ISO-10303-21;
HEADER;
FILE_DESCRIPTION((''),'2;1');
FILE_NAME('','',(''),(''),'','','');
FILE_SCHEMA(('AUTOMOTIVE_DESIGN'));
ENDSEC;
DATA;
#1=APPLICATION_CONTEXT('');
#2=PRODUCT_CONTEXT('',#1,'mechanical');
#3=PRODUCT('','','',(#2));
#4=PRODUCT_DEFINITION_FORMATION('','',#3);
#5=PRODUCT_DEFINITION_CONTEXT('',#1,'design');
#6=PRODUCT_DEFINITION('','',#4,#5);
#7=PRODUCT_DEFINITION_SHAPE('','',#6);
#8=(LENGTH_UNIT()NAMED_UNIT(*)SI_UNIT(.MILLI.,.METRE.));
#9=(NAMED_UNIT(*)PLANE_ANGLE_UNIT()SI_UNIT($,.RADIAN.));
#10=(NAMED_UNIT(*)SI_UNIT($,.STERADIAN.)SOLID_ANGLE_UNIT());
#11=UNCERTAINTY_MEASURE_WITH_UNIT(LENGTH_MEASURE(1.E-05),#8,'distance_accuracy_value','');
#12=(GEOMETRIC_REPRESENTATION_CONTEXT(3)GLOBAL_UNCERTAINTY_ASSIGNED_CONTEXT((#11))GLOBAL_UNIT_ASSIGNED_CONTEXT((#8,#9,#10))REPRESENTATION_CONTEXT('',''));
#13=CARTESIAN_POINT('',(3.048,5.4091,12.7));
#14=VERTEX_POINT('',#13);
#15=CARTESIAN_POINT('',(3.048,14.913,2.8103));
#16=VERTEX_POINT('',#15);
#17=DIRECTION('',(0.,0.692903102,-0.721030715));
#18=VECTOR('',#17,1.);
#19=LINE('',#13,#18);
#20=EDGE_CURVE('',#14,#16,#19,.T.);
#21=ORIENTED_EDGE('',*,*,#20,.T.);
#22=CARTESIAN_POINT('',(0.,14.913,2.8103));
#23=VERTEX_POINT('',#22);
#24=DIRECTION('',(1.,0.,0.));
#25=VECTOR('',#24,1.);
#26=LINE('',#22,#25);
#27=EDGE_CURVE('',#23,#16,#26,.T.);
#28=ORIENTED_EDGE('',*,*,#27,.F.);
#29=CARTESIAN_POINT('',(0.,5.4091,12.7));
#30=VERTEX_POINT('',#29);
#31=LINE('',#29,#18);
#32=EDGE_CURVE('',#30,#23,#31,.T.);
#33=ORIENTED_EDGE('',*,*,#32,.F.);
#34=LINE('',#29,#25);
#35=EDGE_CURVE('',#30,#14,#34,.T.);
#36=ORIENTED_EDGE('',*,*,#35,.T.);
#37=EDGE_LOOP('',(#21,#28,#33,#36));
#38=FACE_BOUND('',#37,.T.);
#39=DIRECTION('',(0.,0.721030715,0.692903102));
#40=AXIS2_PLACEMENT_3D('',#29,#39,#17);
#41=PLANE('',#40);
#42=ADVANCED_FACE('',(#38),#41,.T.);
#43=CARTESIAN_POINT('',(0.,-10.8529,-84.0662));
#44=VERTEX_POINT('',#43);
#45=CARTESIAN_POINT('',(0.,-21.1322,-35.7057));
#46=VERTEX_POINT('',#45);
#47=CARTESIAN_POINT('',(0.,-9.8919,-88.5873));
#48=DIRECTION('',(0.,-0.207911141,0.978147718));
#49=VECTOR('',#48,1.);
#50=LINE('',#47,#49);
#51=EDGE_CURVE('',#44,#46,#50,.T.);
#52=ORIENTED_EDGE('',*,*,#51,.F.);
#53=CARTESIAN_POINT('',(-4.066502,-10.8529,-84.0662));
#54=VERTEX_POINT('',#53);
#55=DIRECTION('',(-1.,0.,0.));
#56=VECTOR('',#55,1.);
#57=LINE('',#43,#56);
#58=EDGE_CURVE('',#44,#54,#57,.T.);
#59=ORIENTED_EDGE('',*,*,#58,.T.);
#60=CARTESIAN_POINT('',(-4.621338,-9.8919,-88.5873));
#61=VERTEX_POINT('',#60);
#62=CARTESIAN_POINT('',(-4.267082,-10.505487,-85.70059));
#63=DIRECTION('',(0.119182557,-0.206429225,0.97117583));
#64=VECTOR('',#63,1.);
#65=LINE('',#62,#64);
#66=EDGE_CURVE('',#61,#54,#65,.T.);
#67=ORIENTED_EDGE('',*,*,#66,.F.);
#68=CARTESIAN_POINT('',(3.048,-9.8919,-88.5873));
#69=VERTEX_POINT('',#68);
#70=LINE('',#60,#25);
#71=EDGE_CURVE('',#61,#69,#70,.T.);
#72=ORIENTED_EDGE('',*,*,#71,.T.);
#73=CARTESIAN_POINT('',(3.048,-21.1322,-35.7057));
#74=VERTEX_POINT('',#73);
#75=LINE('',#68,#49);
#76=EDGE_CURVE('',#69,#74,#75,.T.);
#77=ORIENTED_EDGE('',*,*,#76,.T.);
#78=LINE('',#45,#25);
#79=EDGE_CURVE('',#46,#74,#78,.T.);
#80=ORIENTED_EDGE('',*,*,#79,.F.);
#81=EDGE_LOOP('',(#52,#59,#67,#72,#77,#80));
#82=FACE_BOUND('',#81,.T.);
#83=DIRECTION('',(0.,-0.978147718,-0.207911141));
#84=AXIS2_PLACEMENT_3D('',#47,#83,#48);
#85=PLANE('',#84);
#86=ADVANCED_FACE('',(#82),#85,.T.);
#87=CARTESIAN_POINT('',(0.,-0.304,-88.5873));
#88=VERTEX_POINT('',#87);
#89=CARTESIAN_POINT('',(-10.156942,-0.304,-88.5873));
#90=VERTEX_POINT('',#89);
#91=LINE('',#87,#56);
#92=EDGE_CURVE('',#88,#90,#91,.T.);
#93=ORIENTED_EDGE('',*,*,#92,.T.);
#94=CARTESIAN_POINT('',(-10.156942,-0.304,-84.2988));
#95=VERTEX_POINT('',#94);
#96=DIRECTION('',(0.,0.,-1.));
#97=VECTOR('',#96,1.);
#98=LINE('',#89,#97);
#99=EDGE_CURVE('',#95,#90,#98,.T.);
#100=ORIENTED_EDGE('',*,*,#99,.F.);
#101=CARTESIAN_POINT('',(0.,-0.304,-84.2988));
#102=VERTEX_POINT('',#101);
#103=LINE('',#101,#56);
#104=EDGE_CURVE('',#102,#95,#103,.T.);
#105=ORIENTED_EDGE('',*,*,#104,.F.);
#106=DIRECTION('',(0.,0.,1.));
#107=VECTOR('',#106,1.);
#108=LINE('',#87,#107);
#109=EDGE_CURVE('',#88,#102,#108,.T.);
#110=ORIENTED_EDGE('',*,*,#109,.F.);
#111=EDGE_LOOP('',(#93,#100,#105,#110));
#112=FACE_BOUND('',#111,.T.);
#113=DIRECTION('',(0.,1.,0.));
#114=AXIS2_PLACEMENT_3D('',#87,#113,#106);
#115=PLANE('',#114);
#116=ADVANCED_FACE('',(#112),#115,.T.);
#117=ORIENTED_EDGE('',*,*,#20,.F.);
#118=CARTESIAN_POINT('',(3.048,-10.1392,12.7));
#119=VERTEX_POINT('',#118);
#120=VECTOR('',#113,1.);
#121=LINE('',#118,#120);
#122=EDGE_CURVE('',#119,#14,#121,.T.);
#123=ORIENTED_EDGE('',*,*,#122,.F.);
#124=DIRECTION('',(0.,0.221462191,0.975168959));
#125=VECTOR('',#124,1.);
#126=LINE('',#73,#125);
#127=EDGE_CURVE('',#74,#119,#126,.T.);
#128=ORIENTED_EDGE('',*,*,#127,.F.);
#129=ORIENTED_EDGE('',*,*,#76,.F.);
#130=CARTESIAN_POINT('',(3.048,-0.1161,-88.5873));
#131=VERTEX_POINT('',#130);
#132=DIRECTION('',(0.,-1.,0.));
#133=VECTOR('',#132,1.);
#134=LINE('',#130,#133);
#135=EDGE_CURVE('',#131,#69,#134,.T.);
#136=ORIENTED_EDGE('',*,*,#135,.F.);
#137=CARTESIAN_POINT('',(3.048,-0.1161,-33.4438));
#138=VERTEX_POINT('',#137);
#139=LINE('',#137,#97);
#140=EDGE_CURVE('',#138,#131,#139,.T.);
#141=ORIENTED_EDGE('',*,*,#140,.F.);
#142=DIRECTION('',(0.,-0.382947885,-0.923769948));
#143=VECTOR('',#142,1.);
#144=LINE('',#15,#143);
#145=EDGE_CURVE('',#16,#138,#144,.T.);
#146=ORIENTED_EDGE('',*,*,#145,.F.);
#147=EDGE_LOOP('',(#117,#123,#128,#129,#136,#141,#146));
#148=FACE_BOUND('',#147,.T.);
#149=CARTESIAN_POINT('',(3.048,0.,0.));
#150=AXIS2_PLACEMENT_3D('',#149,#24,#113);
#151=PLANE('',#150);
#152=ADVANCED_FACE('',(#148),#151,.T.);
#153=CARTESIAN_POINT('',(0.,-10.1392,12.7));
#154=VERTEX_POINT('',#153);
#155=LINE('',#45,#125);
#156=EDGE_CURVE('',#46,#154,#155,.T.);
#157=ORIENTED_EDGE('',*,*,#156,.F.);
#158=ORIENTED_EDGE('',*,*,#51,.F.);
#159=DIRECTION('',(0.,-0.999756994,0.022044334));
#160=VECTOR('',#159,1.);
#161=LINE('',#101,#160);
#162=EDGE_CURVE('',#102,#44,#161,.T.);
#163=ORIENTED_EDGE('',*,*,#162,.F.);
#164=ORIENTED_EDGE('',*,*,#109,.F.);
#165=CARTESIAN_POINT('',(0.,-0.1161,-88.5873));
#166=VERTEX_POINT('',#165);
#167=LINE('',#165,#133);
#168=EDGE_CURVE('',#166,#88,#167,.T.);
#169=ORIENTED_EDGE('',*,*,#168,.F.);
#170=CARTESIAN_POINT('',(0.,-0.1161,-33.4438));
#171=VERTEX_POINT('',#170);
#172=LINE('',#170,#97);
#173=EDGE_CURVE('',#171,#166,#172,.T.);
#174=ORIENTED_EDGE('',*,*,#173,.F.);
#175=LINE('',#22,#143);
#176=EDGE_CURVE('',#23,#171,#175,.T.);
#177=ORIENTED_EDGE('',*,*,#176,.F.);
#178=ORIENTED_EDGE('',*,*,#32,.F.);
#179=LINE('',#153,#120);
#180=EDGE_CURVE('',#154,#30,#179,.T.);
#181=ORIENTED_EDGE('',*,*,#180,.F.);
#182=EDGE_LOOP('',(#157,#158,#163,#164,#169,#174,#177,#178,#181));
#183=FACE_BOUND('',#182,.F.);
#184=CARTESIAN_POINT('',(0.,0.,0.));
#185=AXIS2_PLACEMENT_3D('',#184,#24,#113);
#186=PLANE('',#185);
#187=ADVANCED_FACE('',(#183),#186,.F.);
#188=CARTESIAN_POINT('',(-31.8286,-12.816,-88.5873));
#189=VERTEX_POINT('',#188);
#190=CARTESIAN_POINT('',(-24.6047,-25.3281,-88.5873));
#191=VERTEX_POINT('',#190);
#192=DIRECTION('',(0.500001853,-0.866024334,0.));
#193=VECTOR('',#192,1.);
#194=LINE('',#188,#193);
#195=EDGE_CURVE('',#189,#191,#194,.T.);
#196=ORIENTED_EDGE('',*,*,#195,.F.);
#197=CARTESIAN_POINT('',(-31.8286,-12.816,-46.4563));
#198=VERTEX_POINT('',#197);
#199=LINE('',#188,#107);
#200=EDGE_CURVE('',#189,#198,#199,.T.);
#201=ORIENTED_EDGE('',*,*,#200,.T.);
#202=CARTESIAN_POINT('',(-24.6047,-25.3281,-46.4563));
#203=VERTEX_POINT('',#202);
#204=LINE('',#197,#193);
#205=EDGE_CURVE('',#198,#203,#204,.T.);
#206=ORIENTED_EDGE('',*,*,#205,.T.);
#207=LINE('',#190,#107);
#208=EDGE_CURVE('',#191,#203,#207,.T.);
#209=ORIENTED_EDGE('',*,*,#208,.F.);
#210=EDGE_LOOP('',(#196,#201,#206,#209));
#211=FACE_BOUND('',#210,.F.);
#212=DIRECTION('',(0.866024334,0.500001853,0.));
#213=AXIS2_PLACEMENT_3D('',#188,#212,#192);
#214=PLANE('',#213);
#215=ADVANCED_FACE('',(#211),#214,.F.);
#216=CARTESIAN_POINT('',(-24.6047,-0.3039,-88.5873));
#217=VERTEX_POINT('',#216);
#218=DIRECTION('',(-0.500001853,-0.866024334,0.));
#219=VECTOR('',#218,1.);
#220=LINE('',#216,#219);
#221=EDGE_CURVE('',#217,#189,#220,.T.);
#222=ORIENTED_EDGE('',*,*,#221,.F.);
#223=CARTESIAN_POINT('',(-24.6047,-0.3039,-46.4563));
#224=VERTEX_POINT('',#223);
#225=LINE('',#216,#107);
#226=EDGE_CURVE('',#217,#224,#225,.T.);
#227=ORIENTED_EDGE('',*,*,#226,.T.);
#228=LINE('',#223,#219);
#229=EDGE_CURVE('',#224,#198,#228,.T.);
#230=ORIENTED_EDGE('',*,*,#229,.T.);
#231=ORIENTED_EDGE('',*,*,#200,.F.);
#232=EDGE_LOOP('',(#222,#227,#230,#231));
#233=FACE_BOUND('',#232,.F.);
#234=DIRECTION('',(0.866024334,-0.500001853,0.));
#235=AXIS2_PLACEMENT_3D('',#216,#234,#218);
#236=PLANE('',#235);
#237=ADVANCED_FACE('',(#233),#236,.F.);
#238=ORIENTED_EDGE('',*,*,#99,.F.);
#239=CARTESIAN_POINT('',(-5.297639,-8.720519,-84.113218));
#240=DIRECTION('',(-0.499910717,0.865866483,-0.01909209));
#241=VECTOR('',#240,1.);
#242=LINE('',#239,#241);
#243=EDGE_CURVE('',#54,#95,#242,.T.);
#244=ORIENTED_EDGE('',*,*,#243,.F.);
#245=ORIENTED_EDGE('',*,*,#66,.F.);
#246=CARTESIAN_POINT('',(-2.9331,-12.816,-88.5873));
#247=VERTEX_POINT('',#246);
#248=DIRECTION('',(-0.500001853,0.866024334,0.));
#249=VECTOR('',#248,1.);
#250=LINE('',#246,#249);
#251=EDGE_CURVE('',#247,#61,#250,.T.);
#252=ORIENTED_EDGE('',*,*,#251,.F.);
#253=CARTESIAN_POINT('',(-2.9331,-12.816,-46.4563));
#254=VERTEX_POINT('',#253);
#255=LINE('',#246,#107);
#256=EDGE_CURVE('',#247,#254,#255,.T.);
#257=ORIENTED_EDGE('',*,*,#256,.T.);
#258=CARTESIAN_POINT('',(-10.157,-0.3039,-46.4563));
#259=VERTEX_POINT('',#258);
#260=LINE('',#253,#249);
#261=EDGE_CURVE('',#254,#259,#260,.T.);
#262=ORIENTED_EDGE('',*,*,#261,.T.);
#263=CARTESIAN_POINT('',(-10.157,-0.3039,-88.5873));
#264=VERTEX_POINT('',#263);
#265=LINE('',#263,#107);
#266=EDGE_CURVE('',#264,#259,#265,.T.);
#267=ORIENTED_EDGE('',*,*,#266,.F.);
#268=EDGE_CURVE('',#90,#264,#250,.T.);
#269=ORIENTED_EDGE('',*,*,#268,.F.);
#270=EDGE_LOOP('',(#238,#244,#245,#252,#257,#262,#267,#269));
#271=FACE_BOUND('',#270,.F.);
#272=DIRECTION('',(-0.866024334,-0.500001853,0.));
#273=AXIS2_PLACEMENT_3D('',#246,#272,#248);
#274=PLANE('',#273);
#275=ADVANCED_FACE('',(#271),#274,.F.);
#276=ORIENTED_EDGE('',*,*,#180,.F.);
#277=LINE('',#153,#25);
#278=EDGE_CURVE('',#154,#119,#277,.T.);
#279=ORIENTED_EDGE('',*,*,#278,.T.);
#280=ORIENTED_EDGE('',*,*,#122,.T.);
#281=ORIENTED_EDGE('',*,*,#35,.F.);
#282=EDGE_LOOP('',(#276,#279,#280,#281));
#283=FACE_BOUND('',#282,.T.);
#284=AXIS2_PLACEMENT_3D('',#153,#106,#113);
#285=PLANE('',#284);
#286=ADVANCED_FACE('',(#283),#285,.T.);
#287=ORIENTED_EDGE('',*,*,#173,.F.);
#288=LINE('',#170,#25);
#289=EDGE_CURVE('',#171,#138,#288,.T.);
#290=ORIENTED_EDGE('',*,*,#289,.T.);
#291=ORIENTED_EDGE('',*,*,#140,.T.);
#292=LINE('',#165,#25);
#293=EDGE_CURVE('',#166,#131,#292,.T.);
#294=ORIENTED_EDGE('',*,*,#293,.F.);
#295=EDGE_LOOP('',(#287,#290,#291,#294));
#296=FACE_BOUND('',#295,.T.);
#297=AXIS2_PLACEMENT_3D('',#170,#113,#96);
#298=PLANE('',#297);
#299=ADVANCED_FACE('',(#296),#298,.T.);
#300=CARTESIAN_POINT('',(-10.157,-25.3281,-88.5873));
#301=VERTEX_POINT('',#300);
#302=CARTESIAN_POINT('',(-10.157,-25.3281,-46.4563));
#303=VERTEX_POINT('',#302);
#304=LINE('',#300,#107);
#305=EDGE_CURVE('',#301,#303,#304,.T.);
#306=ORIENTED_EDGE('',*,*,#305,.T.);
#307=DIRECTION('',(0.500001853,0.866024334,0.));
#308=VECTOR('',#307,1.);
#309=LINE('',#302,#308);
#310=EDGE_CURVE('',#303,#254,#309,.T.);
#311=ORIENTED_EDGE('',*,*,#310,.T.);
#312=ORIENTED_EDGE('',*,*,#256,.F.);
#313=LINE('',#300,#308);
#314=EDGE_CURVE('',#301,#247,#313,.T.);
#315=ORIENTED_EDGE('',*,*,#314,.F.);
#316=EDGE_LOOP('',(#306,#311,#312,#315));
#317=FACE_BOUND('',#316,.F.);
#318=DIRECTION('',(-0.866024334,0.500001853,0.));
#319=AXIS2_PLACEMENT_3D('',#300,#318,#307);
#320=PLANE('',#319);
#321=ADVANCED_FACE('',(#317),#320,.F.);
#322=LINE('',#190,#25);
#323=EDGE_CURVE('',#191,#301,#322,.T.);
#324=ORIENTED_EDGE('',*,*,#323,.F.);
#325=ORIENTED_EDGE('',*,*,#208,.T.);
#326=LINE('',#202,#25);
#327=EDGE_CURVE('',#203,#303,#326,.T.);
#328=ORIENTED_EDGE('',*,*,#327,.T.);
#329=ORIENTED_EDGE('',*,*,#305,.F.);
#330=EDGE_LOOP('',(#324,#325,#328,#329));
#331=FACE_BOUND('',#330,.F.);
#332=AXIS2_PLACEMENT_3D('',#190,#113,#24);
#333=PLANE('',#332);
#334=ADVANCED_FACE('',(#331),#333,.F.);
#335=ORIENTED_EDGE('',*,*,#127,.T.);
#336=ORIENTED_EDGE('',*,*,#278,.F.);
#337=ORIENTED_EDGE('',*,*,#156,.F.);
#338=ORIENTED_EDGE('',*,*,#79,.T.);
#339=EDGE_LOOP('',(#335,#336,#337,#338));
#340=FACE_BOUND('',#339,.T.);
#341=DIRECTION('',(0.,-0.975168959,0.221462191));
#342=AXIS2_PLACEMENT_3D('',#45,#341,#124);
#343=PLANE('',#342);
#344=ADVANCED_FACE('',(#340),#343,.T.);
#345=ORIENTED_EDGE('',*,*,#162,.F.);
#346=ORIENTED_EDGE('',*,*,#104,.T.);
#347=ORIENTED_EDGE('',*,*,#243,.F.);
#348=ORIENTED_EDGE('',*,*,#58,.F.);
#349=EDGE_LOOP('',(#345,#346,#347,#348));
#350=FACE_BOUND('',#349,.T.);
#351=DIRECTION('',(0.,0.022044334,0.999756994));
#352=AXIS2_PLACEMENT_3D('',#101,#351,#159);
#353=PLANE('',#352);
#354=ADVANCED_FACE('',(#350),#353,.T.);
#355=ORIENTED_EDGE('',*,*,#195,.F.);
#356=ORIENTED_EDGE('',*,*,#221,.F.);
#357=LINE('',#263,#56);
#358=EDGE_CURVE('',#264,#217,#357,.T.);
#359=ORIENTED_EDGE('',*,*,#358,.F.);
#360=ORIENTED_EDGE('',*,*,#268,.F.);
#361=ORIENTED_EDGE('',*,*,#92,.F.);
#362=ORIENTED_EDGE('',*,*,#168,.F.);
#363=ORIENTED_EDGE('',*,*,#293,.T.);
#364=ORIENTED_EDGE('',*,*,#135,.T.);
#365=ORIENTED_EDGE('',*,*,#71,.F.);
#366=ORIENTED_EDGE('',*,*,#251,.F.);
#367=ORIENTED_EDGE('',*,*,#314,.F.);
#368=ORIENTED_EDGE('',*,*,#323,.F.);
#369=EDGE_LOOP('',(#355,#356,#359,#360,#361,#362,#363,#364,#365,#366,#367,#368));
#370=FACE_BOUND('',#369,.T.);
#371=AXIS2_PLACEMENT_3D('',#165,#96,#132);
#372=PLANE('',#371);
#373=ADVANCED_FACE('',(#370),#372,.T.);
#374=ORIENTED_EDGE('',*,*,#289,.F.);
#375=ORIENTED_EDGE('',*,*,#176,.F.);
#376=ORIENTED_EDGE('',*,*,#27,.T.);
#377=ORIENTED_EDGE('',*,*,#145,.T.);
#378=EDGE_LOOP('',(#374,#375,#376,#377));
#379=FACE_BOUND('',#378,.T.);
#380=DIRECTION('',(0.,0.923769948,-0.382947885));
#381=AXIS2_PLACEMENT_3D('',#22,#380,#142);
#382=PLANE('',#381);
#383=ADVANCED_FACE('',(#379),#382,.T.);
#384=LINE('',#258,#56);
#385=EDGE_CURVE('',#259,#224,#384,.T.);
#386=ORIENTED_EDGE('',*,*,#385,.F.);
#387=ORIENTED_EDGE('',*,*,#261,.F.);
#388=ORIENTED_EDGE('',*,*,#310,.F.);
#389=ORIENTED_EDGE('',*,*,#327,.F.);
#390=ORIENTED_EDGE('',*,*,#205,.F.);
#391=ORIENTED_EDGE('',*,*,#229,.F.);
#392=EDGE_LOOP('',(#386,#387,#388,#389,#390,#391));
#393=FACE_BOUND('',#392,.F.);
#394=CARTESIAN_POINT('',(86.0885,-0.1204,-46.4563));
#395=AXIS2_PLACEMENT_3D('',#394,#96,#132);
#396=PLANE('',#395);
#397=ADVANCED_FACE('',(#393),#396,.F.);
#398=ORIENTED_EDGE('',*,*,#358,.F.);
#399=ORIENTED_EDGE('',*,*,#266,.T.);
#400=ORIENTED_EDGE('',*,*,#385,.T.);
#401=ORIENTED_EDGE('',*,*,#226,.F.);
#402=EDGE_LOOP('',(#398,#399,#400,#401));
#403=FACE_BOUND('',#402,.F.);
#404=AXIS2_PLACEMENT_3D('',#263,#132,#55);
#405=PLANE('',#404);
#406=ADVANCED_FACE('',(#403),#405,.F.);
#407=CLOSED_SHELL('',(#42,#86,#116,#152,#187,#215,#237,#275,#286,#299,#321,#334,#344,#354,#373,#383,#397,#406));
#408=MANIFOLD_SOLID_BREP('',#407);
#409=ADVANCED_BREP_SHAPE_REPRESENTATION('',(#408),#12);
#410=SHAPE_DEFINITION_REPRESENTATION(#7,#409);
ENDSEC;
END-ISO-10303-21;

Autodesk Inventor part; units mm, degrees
ref_plane "YZ Plane" through (0, 0, 0) normal (1, 0, 0) x (0, 1, 0)
sketch "Sketch1" plane through (0, 0, 0) normal (1, 0, 0) x (0, 1, 0)
  line L0 (-24.1055, -88.5873) -> (-15.6118, -88.5873) construction
  line L1 (-20.9777, -35.0252) -> (-12.3846, 2.8126) construction
  line L2 (-11.1876, -82.4913) -> (-20.9871, -36.3884) construction
  line L3 (-10.1392, 12.7) -> (5.4091, 12.7)
  line L4 (5.4091, 12.7) -> (14.913, 2.8103)
  line L5 (14.913, 2.8103) -> (-0.1161, -33.4438)
  line L6 (-0.1161, -33.4438) -> (-0.1161, -88.5873)
  line L7 (-0.1161, -88.5873) -> (-9.8919, -88.5873)
  line L8 (-9.8919, -88.5873) -> (-21.1322, -35.7057)
  line L9 (-21.1322, -35.7057) -> (-10.1392, 12.7)
  line L10 (-0.1161, -27.3073) -> (-0.1161, -82.4913) construction
  arc A0 (9.8983, -7.957) -> (-12.3846, 2.8126) centre (0, 0) ccw construction
  point P0 (0, 0)
ref_plane "Work Plane1" through (3.048, -55.7199, -88.0008) normal (1, 0, 0) x (0, 0.7407, 0.6718)
extrude "Extrusion1" add sketch "Sketch1" along normal up to surface (3.048 mm away)
ref_plane "Work Plane2" through (86.0885, -0.1204, -88.5873) normal (0, 0, -1) x (0, -1, 0)
sketch "Sketch3" plane through (86.0885, -0.1204, -88.5873) normal (0, 0, -1) x (0, -1, 0)
  circle A0 centre (12.6956, 103.4693) radius 9.525 projected
  line L0 (12.6956, 89.0216) -> (0.1835, 96.2455)
  line L1 (0.1835, 96.2455) -> (0.1835, 110.6932)
  line L2 (0.1835, 110.6932) -> (12.6956, 117.9171)
  line L3 (12.6956, 117.9171) -> (25.2077, 110.6932)
  line L4 (25.2077, 110.6932) -> (25.2077, 96.2455)
  line L5 (25.2077, 96.2455) -> (12.6956, 89.0216)
  point P0 (-0.1204, 86.0885)
ref_plane "Work Plane3" through (-20.1841, -15.6194, -46.4564) normal (0, 0, 1) x (0.8084, 0.5887, 0)
extrude "Extrusion2" add sketch "Sketch3" against normal up to surface (42.131 mm away) contours A0 | L0 L1 L2 L3 L4 L5
sketch "Sketch4" plane through (0, 0, 0) normal (-1, 0, 0) x (0, 0, 1)
  line L0 (-88.5873, -9.8919) -> (-88.5873, -0.1161) projected
  line L1 (-88.5873, -0.1161) -> (-33.4438, -0.1161) projected
  line L2 (-88.5873, -0.304) -> (-46.4564, -0.304) projected
  line L3 (-84.2988, -0.304) -> (-84.0662, -10.8529)
  line L4 (-35.7057, -21.1322) -> (-88.5873, -9.8919) projected
  point P0 (0, 0)
extrude "Extrusion3" add sketch "Sketch4" along normal blind 12.7
sketch "Sketch5" plane through (3.048, -0.1161, -88.5873) normal (0, 0, -1) x (-1, 0, 0)
  point P0 (3.048, 0.1161)
properties part number "ArmSolenoidBoundingBoc"
